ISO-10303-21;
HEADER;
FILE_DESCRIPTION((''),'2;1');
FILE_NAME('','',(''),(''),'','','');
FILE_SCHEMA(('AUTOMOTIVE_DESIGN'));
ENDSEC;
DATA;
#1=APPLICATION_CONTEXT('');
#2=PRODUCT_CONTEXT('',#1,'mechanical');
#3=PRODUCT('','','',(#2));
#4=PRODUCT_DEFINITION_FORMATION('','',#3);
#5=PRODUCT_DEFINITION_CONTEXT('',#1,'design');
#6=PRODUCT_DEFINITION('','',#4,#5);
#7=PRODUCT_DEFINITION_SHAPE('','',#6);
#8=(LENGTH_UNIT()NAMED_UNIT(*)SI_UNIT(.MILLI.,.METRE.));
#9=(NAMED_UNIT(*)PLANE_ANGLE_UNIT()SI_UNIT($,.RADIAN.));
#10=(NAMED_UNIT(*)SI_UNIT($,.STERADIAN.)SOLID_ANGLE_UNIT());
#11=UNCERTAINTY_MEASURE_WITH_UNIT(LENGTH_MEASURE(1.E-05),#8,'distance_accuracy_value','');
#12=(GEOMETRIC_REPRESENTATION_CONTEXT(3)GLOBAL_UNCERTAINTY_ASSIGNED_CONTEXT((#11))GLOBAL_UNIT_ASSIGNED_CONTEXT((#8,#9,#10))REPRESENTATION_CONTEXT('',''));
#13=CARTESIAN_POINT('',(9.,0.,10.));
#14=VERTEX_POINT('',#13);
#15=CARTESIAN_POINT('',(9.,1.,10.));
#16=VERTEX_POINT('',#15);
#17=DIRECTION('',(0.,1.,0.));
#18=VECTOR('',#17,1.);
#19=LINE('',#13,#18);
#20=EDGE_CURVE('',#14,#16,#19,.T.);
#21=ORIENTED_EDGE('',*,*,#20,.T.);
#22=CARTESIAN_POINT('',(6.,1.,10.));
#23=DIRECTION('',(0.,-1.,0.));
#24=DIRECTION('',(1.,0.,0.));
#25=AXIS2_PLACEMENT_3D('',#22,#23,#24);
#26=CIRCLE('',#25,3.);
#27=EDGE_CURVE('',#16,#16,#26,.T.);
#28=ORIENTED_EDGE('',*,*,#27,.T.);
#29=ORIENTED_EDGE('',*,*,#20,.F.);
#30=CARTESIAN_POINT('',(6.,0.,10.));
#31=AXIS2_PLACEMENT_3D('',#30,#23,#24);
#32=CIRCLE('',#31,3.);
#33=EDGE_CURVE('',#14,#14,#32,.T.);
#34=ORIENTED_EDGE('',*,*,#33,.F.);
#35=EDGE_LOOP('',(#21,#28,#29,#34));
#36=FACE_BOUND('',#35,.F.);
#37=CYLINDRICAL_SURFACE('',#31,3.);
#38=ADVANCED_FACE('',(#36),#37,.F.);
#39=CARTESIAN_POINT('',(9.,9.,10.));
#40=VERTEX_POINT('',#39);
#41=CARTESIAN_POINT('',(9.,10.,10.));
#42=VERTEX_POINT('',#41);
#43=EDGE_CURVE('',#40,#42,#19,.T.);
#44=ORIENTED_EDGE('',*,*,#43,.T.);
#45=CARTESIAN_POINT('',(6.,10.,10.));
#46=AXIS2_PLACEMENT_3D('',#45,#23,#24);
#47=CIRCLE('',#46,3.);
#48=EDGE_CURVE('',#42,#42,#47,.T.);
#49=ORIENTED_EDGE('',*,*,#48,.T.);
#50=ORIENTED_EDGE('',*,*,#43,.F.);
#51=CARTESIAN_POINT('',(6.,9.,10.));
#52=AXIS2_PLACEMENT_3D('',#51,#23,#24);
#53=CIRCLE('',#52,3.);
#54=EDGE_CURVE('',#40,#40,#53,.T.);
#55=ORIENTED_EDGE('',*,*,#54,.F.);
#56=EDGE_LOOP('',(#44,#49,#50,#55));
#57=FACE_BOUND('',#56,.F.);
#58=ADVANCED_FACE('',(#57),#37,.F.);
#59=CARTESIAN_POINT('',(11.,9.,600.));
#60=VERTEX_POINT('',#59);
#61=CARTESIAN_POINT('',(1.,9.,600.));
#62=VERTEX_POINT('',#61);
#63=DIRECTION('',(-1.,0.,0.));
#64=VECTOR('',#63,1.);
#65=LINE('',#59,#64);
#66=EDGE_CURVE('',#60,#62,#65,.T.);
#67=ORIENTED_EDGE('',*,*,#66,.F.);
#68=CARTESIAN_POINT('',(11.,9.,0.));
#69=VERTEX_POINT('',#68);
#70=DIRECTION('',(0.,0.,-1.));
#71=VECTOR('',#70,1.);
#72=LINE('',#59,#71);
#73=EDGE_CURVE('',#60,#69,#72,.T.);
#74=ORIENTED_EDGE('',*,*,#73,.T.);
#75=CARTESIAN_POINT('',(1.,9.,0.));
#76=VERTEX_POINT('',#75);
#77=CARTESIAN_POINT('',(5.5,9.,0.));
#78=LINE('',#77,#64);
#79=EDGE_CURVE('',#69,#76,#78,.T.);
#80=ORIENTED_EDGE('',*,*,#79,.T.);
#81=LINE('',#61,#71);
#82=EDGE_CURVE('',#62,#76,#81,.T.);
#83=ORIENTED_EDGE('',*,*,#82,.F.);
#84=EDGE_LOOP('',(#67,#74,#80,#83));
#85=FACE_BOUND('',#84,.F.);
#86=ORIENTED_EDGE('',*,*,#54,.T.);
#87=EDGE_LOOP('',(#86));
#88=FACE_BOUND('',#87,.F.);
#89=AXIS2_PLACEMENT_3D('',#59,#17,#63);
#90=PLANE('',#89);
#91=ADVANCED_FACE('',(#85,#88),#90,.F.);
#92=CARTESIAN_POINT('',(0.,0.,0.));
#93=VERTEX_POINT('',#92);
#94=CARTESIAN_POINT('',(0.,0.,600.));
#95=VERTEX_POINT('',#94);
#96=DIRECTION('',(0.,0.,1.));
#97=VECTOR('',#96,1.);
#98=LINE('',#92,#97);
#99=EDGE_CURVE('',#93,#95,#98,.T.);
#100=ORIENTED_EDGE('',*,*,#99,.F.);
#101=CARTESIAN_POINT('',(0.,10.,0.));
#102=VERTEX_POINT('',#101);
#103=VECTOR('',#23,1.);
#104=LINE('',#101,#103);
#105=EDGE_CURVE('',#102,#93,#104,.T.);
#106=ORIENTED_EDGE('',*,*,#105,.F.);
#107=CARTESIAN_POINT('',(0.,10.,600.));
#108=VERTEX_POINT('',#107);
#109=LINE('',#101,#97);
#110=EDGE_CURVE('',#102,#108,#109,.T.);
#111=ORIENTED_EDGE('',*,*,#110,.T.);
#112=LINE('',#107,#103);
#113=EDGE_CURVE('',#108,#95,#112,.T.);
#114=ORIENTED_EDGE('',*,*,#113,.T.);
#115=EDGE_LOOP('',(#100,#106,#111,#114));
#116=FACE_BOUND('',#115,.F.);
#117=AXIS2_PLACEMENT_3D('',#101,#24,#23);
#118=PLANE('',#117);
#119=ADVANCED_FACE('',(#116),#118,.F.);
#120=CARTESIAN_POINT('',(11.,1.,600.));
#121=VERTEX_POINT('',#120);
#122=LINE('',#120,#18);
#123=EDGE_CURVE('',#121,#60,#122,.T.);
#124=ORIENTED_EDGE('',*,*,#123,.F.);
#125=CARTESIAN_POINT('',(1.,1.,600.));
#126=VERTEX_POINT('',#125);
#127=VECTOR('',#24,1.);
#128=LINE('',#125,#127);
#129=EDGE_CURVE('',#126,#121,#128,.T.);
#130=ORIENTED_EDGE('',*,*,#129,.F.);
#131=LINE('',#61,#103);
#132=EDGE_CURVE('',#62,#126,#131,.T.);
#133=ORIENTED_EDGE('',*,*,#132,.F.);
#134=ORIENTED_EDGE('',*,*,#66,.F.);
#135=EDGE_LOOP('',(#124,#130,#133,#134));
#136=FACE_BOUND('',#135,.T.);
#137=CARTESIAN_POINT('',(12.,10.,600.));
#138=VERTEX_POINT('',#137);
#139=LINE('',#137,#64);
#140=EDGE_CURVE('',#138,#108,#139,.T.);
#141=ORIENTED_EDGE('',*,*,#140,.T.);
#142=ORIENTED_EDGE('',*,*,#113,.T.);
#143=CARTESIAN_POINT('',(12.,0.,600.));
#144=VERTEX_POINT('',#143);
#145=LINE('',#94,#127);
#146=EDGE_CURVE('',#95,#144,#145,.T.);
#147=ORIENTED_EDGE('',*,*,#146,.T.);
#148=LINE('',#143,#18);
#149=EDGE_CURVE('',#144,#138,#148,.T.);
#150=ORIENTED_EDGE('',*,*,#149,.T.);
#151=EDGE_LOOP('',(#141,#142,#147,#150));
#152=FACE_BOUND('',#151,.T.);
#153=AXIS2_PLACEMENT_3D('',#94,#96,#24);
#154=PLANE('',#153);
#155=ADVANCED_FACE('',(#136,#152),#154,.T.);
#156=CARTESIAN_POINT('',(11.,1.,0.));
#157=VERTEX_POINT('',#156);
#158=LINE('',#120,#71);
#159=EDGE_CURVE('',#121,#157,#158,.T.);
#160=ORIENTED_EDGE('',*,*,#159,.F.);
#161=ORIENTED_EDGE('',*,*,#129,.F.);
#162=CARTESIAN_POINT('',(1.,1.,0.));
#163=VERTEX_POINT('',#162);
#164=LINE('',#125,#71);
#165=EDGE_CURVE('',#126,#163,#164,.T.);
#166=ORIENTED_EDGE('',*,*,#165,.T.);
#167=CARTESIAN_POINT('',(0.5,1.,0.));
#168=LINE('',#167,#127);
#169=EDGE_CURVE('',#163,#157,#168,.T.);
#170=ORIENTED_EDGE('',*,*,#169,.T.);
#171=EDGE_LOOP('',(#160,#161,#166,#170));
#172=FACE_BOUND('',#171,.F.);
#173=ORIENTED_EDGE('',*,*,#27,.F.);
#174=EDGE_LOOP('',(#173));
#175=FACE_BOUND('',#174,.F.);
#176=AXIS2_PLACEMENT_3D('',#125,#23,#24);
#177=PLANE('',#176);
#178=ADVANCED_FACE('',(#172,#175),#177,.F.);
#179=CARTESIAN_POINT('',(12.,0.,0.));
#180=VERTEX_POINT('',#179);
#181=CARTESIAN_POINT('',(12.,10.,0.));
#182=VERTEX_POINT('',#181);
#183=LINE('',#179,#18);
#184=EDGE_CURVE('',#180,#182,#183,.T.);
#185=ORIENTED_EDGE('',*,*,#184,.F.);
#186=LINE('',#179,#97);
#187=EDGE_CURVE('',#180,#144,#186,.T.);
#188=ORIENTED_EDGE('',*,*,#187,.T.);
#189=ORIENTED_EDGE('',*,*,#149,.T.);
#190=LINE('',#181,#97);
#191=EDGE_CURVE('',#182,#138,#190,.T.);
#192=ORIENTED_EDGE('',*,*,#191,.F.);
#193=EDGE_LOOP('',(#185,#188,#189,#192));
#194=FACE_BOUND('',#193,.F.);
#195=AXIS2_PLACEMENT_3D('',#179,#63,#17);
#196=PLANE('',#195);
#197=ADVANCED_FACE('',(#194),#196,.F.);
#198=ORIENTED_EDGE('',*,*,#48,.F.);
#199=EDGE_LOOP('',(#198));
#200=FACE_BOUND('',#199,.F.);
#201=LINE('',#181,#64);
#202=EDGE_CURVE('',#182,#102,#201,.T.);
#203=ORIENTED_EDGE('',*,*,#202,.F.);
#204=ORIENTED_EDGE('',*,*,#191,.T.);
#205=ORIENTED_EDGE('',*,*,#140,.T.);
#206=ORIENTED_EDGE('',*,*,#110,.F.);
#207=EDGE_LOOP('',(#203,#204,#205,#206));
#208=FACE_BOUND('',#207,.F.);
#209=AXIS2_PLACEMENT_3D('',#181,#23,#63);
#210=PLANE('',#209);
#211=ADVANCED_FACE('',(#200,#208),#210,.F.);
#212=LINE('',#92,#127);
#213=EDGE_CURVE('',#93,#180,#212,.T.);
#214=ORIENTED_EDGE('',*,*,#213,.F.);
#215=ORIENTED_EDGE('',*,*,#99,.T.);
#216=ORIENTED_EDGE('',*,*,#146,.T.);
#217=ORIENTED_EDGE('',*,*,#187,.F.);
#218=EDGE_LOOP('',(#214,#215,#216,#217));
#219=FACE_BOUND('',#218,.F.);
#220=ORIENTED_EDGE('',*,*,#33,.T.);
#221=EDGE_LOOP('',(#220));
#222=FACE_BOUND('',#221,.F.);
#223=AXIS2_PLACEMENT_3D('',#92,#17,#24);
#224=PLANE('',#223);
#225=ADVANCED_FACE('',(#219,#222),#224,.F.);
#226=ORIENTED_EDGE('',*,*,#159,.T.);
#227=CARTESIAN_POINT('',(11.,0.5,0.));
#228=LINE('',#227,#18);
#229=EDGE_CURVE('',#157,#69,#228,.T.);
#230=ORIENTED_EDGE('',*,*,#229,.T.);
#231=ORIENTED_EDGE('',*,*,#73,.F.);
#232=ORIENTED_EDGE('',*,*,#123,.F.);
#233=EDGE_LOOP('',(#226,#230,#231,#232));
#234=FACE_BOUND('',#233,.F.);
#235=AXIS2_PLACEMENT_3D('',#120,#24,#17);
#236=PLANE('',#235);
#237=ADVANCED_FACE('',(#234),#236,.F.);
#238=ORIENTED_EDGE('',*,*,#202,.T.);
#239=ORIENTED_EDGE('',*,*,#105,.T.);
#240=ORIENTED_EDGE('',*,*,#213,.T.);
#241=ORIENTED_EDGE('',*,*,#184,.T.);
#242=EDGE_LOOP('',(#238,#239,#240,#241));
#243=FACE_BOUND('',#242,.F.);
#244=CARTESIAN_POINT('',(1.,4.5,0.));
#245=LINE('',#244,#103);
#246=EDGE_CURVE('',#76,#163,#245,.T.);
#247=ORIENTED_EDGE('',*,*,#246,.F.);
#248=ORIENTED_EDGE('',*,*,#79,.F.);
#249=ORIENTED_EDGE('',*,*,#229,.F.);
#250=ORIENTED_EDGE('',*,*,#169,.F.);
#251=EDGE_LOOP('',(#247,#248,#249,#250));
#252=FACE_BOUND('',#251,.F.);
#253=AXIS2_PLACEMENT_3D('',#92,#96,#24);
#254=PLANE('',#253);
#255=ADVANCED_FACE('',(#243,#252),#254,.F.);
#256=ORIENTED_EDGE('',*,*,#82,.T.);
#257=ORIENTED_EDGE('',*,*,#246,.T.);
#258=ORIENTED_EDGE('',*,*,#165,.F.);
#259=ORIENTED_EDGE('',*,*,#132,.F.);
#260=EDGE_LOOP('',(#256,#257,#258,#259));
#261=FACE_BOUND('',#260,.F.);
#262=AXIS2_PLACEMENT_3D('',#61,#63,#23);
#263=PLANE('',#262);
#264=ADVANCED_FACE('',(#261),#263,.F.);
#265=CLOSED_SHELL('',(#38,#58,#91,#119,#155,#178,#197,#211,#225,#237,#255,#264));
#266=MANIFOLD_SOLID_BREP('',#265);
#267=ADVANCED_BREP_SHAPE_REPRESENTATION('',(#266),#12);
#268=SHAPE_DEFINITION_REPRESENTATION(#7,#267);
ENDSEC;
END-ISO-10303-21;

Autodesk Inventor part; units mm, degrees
ref_plane "YZ Plane" through (0, 0, 0) normal (1, 0, 0) x (0, 1, 0)
ref_plane "XZ Plane" through (0, 0, 0) normal (0, 1, 0) x (-1, 0, 0)
ref_plane "XY Plane" through (0, 0, 0) normal (0, 0, 1) x (1, 0, 0)
sketch "Sketch1" plane through (0, 0, 0) normal (0, 0, 1) x (1, 0, 0)
  line L0 (0, 0) -> (12, 0)
  line L1 (12, 0) -> (12, 10)
  line L2 (12, 10) -> (0, 10)
  line L3 (0, 10) -> (0, 0)
  dimension "d0" = 12
  dimension "d1" = 10
extrude "Extrusion1" add sketch "Sketch1" along normal blind 600
sketch "Sketch3" plane through (0, 0, 600) normal (0, 0, 1) x (1, 0, 0)
  line L0 (12, 10) -> (0, 10) projected
  line L1 (1, 1) -> (11, 1)
  line L2 (11, 1) -> (11, 9)
  line L3 (11, 9) -> (1, 9)
  line L4 (1, 9) -> (1, 1)
  line L5 (11, 1) -> (1, 9) construction
  point P0 (0, 0)
  point P1 (6, 5)
extrude "Extrusion3" cut sketch "Sketch3" against normal through all
sketch "Sketch5" plane through (0, 0, 0) normal (0, -1, 0) x (1, 0, 0)
  circle A0 centre (6, 10) radius 3
  point P0 (0, 0)
  dimension "d12" = 6
extrude "Extrusion4" cut sketch "Sketch5" against normal through all
properties part number "perfil aluminio"
